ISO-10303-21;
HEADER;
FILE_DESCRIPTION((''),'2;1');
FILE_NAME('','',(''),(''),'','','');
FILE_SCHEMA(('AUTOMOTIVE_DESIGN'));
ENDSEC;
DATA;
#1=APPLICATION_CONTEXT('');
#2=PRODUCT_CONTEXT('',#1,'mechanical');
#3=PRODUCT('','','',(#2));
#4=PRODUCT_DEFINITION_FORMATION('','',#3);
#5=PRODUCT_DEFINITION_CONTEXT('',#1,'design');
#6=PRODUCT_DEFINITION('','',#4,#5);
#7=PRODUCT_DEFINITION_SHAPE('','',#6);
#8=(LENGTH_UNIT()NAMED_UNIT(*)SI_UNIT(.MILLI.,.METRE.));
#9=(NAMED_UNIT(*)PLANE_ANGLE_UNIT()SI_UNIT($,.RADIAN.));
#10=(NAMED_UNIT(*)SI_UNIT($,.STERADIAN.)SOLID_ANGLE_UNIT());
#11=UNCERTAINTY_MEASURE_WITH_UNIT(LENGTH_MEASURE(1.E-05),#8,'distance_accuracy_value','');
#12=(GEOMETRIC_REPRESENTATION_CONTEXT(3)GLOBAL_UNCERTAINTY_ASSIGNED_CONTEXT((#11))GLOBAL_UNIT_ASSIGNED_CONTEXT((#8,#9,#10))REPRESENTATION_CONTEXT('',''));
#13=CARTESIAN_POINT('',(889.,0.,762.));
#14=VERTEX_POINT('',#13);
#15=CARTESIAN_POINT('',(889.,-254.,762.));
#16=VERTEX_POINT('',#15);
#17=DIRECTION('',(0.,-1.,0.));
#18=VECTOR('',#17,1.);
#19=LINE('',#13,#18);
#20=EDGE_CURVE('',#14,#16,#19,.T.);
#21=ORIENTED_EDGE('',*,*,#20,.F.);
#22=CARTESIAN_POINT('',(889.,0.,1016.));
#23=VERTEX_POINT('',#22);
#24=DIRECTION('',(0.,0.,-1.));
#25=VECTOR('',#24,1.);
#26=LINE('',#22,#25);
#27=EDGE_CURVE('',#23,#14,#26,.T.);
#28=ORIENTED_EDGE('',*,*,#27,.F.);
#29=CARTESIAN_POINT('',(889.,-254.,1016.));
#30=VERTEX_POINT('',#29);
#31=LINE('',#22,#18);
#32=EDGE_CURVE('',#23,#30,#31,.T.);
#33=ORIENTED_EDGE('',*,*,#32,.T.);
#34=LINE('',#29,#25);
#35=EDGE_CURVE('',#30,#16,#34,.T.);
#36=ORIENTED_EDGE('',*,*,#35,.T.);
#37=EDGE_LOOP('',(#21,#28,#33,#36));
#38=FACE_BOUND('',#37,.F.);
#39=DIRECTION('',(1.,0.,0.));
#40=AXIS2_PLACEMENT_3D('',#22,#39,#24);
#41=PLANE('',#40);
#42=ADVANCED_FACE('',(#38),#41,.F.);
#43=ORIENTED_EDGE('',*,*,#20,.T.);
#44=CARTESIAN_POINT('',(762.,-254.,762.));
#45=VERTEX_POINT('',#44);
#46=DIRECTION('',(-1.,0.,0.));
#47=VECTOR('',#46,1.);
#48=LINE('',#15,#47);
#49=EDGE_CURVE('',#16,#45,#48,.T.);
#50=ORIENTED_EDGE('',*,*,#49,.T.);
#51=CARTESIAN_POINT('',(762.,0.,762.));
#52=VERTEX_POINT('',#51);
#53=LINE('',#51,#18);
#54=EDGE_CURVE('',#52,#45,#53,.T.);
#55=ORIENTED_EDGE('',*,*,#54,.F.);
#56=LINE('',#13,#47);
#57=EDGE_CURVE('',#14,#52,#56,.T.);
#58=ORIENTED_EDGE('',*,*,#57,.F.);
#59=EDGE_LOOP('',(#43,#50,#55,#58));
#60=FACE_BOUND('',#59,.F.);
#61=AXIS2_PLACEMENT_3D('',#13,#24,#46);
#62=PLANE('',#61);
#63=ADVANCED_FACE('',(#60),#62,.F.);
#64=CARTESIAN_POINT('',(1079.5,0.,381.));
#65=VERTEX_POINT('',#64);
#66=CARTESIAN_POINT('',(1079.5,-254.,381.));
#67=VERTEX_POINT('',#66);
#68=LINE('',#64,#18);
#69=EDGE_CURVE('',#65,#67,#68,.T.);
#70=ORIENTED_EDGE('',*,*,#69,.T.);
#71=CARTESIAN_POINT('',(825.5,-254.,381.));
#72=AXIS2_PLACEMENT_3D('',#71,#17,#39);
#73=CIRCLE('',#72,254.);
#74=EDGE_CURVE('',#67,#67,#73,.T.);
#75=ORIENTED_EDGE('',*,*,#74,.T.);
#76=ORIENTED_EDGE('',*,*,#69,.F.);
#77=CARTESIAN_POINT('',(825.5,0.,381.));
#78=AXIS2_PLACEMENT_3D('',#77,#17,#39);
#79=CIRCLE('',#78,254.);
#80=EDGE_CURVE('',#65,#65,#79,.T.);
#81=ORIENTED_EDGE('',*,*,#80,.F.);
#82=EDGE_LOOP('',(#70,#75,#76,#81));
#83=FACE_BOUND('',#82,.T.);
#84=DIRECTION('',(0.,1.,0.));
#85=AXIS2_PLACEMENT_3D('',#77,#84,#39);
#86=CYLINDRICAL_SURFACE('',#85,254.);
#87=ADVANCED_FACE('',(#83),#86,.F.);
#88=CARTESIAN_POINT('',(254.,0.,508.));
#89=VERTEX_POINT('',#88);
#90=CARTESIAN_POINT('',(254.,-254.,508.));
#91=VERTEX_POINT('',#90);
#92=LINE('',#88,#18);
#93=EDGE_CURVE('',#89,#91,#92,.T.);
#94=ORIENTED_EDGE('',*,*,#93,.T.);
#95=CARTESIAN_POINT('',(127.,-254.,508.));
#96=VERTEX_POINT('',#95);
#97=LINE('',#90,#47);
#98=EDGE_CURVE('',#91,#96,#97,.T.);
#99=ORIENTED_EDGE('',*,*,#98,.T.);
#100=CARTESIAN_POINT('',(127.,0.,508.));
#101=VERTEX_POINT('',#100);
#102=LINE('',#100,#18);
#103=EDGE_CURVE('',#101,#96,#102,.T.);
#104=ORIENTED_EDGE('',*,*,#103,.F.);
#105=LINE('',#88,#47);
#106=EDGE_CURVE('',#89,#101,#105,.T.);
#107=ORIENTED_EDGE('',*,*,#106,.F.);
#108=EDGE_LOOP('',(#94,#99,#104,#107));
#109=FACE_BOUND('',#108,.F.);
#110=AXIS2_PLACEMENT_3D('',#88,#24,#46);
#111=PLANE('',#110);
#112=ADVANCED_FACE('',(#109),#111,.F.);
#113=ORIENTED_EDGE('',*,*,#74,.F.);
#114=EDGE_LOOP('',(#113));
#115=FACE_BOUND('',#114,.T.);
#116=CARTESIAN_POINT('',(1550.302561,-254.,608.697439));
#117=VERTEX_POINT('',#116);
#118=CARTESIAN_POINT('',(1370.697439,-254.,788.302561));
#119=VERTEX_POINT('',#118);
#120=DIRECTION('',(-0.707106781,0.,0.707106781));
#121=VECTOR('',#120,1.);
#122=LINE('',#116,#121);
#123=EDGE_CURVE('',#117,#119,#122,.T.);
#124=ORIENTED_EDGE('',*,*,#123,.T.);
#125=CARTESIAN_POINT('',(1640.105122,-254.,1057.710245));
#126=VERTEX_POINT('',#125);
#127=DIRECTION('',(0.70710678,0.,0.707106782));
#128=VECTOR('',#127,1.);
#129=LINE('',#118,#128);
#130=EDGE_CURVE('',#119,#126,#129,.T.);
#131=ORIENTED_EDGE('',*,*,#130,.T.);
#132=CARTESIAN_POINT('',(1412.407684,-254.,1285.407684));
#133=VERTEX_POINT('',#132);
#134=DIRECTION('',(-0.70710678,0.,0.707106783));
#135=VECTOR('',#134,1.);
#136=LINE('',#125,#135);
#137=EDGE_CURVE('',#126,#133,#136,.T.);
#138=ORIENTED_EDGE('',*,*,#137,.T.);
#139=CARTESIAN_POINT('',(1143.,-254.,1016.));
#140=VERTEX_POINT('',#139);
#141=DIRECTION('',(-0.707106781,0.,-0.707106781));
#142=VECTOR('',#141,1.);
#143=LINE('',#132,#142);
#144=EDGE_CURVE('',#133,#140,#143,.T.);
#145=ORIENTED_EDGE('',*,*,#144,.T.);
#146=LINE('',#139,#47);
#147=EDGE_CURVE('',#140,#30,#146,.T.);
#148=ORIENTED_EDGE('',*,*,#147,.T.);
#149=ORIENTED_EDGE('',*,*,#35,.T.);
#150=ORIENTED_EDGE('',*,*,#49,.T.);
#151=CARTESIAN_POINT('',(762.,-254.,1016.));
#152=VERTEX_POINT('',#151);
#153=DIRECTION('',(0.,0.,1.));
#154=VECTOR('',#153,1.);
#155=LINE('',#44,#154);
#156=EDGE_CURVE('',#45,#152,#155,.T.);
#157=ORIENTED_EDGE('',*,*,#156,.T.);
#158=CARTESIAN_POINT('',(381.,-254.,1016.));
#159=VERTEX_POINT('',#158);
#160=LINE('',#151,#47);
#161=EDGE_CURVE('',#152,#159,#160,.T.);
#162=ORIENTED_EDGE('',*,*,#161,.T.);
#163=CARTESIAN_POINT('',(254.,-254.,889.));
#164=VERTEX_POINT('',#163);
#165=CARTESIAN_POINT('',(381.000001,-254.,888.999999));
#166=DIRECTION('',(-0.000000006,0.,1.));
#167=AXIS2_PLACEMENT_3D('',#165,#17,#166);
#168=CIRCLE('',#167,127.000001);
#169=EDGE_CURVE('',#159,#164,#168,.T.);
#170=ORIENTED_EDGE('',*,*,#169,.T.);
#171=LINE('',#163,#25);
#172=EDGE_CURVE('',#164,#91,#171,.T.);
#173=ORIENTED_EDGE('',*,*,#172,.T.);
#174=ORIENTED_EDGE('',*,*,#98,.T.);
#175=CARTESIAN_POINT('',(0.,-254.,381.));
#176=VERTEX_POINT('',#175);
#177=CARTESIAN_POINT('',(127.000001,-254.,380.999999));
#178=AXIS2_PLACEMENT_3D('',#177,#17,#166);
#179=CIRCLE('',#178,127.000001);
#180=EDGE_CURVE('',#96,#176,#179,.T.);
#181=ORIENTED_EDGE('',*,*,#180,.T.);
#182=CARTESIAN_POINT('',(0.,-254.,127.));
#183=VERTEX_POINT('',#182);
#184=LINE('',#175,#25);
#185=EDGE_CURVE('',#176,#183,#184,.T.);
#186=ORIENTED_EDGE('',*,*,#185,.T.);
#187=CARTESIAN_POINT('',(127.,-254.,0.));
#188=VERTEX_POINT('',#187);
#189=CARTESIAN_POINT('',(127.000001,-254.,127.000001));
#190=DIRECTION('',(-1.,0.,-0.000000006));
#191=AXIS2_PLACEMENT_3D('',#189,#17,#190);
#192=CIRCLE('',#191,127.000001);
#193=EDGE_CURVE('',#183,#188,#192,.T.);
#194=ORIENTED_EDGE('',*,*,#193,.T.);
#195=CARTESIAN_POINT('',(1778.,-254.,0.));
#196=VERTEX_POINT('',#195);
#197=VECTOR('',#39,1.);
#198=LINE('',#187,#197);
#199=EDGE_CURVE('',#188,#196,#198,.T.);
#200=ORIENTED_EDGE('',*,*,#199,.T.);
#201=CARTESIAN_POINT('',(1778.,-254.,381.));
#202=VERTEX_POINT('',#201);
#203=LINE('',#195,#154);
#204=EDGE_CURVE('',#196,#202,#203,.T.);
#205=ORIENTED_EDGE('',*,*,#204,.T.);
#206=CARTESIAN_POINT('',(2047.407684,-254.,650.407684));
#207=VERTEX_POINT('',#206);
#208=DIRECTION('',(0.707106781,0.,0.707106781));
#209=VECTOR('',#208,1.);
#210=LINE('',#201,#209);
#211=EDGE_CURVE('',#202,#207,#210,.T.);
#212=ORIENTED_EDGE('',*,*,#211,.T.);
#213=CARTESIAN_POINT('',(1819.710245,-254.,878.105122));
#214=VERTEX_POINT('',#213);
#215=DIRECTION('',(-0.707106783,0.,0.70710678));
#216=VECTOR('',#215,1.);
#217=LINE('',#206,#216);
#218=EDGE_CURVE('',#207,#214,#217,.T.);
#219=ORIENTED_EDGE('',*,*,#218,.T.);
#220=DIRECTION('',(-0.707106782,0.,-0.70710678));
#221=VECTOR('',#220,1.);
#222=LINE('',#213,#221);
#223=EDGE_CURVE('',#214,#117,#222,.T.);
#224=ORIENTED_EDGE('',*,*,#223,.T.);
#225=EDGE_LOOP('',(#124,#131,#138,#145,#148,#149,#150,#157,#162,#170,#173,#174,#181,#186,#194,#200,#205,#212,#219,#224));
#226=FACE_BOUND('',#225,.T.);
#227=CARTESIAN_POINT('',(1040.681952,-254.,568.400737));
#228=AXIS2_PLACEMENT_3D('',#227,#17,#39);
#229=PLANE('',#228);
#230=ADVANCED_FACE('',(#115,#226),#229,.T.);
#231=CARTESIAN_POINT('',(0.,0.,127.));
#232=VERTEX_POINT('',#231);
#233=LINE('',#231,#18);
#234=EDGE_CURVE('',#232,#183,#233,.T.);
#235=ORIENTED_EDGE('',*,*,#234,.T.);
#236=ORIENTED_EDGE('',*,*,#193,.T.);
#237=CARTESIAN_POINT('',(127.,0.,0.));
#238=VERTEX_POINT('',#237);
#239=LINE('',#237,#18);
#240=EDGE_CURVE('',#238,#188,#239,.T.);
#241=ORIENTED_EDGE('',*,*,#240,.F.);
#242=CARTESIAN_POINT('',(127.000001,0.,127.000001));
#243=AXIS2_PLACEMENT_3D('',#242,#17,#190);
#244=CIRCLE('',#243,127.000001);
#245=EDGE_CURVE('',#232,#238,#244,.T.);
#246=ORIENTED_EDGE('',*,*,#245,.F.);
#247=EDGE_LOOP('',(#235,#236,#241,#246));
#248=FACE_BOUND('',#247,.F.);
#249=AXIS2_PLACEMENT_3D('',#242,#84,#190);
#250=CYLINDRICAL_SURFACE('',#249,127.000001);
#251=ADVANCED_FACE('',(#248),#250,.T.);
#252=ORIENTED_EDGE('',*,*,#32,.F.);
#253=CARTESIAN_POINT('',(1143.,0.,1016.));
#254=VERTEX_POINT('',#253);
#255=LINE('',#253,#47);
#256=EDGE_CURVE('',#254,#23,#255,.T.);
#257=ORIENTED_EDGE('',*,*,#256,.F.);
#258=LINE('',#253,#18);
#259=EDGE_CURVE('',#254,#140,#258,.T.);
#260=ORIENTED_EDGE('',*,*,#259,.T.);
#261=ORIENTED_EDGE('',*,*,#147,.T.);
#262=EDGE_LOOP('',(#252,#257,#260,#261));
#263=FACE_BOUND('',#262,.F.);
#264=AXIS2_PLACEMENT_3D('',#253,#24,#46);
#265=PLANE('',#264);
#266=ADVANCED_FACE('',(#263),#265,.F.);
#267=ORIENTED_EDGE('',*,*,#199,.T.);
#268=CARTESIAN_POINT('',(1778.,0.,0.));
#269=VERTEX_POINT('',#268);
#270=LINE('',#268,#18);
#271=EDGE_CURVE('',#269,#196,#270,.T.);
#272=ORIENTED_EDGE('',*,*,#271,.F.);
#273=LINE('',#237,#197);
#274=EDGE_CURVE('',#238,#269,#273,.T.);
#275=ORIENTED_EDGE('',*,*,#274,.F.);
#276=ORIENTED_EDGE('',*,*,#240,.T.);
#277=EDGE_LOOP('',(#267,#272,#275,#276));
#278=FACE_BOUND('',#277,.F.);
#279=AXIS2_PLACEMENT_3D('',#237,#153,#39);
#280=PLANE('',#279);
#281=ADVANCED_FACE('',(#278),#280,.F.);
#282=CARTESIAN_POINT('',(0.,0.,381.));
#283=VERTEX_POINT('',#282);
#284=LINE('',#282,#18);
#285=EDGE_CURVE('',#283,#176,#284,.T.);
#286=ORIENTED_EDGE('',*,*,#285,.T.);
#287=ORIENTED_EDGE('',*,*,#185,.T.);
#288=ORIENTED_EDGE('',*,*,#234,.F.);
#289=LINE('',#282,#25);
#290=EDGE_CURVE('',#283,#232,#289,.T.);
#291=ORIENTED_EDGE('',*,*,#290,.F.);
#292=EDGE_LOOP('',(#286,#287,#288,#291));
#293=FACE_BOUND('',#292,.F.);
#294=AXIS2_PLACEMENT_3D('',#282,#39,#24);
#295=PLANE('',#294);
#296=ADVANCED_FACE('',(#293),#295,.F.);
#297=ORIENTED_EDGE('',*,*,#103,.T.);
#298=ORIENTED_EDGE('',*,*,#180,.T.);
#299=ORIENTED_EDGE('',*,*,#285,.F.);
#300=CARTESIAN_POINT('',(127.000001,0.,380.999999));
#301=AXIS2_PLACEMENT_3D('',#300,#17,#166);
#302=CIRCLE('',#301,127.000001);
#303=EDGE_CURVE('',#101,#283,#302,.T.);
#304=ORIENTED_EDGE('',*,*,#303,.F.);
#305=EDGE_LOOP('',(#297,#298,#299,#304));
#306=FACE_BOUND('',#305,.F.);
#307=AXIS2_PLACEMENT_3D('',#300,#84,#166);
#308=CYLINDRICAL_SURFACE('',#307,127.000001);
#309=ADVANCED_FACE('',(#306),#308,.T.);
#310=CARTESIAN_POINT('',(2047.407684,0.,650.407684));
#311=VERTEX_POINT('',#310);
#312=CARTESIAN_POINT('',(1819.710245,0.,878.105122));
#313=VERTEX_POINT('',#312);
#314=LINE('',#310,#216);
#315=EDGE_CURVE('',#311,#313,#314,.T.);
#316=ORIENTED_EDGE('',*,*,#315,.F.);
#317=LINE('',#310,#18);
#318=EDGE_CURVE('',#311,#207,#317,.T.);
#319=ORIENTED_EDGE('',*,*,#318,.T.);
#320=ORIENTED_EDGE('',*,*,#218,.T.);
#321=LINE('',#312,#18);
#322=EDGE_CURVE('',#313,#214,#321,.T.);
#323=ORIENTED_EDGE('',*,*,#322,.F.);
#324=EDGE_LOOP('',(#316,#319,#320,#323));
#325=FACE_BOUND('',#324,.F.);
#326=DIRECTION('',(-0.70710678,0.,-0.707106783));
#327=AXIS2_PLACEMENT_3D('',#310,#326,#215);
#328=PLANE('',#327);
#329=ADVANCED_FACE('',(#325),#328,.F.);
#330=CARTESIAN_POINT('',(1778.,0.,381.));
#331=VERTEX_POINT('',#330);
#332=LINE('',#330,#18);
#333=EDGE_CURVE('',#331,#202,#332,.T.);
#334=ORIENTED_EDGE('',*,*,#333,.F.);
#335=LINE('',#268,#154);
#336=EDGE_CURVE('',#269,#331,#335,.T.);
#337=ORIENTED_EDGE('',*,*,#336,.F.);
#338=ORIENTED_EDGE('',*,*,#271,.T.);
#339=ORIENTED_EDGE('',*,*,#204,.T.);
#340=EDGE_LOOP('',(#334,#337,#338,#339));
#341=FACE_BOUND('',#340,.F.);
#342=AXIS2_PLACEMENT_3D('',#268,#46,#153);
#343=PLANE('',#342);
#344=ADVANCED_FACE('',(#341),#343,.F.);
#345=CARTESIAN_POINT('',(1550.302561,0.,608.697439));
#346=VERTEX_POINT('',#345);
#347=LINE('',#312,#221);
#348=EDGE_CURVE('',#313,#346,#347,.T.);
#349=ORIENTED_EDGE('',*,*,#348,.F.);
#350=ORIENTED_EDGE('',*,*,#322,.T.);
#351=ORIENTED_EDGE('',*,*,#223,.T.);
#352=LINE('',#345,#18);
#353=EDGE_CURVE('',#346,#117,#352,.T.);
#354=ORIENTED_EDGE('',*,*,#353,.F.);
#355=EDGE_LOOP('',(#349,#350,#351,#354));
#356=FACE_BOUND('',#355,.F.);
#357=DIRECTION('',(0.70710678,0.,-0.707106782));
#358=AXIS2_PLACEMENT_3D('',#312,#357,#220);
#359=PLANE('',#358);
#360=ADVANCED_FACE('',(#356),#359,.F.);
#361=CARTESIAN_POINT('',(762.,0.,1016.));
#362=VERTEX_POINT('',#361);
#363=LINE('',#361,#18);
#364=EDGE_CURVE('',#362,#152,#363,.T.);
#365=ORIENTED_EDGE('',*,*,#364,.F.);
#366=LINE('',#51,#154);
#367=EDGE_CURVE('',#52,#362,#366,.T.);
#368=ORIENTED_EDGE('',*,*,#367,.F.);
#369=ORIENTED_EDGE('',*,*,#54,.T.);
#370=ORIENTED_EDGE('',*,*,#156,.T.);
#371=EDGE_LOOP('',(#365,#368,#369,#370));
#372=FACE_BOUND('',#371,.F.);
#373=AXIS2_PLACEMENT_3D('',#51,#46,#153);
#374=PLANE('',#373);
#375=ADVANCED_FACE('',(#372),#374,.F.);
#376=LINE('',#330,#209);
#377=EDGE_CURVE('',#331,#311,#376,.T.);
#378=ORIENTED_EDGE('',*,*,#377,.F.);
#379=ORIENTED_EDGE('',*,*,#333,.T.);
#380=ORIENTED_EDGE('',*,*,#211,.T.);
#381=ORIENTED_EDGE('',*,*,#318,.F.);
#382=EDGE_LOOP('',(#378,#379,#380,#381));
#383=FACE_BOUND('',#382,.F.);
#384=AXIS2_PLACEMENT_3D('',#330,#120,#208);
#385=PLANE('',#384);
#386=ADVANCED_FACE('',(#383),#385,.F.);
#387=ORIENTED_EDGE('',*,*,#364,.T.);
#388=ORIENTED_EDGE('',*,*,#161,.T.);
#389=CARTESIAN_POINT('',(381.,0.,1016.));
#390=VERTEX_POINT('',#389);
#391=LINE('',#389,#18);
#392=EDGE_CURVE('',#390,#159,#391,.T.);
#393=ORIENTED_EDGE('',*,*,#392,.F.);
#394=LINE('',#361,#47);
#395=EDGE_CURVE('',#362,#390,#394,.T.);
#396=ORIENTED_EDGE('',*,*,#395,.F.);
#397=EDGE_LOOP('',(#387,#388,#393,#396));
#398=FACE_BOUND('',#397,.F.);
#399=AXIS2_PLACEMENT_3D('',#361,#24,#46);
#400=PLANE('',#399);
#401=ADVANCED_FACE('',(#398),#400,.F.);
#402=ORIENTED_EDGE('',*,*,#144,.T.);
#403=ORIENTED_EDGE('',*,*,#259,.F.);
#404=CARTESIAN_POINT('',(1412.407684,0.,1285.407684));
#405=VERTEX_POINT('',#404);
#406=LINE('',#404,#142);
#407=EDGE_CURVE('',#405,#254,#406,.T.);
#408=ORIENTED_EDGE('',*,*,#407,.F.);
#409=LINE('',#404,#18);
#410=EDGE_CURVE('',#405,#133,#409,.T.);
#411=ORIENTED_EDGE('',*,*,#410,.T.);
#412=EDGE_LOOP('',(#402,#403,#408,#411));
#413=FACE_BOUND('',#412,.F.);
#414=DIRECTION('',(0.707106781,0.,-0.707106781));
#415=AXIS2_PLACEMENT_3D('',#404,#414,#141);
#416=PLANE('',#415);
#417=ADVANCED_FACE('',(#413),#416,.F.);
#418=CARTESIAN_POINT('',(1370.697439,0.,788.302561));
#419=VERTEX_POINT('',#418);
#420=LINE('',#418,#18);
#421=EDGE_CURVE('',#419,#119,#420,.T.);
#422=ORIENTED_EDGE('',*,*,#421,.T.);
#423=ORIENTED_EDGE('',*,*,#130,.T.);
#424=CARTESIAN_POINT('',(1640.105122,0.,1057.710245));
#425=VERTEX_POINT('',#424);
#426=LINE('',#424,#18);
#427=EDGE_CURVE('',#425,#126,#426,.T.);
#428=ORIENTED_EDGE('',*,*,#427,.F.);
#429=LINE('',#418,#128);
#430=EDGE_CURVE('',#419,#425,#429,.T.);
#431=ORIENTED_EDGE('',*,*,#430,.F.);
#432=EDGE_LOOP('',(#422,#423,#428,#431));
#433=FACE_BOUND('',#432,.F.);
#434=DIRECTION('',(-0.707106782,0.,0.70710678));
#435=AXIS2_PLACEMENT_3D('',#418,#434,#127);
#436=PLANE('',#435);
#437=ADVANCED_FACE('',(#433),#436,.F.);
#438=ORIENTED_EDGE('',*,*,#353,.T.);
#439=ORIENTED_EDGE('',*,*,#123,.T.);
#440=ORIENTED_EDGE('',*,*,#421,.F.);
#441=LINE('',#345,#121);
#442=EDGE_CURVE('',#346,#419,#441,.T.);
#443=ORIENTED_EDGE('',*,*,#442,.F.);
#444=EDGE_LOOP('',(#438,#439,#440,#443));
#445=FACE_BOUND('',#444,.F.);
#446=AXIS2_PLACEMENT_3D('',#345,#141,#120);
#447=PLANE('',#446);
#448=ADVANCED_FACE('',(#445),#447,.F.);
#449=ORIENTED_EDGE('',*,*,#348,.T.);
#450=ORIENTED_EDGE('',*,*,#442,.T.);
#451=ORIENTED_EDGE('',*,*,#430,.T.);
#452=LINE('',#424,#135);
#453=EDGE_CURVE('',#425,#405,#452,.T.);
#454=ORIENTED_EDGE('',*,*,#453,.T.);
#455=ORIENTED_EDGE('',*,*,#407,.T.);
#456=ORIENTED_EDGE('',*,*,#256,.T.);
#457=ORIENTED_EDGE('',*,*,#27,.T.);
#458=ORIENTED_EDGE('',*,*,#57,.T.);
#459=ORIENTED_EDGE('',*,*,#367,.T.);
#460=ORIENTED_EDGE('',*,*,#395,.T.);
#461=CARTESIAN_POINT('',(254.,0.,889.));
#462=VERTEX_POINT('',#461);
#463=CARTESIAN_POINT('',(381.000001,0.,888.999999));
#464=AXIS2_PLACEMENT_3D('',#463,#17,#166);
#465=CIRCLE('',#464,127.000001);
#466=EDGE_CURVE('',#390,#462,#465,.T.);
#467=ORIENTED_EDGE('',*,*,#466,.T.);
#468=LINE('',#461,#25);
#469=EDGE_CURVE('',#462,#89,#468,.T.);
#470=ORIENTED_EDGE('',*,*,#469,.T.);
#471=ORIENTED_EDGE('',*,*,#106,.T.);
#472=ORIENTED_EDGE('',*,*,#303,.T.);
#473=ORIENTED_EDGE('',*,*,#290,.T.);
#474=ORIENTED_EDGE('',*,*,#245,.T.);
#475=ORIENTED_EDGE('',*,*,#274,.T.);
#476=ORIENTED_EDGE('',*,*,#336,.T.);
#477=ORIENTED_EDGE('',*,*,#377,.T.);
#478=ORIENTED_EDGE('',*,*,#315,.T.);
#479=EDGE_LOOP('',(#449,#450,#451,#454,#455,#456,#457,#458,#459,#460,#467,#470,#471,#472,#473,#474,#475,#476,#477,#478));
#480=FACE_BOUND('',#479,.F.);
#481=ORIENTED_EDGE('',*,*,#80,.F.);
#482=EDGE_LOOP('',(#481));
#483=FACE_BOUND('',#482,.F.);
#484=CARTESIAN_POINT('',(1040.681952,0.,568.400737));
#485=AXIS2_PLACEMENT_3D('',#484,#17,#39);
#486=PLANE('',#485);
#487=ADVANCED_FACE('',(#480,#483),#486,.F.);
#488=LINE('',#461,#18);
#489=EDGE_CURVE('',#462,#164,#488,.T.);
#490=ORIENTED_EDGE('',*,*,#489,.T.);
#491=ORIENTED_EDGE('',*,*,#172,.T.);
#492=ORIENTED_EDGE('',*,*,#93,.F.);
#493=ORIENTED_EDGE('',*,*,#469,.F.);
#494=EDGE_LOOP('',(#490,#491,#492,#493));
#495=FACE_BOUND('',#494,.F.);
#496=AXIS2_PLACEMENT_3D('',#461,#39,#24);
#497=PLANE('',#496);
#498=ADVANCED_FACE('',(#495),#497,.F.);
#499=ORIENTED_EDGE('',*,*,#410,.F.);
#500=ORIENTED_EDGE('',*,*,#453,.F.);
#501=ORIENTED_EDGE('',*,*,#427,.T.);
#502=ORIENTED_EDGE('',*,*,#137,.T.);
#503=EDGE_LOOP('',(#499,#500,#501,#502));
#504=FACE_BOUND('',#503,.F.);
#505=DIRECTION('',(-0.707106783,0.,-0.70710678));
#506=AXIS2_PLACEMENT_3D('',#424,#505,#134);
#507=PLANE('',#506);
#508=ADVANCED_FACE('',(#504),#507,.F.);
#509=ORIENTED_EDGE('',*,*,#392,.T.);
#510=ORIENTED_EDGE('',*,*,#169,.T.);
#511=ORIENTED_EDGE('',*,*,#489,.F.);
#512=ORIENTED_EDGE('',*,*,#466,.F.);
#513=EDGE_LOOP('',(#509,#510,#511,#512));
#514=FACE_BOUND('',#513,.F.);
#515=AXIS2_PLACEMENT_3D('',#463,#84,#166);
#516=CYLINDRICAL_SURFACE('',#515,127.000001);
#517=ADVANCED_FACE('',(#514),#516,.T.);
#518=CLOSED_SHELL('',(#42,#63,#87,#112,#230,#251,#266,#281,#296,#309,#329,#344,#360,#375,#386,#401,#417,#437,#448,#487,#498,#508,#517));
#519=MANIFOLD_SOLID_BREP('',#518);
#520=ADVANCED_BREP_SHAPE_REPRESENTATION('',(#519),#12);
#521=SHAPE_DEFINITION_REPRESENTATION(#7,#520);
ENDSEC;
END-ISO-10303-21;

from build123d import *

# Parameters (mm, degrees)
F0_R     = 254
F1_DEPTH = 254


with BuildPart() as f1:
    # F0 (on Front) → F1 (new body)
    with BuildSketch(Plane.XZ):
        with BuildLine():
            ThreePointArc((0, 127), (37.197439, 37.197439), (127, 0))
            Line((127, 0), (1778, 0))
            Line((1778, 0), (1778, 381))
            Line((1778, 381), (2047.407684, 650.407684))
            Line((2047.407684, 650.407684), (1819.710245, 878.105122))
            Line((1819.710245, 878.105122), (1550.302561, 608.697439))
            Line((1550.302561, 608.697439), (1370.697439, 788.302561))
            Line((1370.697439, 788.302561), (1640.105122, 1057.710245))
            Line((1640.105122, 1057.710245), (1412.407684, 1285.407684))
            Line((1412.407684, 1285.407684), (1143, 1016))
            Line((1143, 1016), (889, 1016))
            Line((889, 1016), (889, 762))
            Line((889, 762), (762, 762))
            Line((762, 762), (762, 1016))
            Line((762, 1016), (381, 1016))
            ThreePointArc((381, 1016), (291.197439, 978.802561), (254, 889))
            Line((254, 889), (254, 508))
            Line((254, 508), (127, 508))
            ThreePointArc((127, 508), (37.197439, 470.802561), (0, 381))
            Line((0, 381), (0, 127))
        make_face()
        with Locations((825.5, 381)):
            Circle(F0_R, mode=Mode.SUBTRACT)
    extrude(amount=F1_DEPTH)


solid = f1.part
